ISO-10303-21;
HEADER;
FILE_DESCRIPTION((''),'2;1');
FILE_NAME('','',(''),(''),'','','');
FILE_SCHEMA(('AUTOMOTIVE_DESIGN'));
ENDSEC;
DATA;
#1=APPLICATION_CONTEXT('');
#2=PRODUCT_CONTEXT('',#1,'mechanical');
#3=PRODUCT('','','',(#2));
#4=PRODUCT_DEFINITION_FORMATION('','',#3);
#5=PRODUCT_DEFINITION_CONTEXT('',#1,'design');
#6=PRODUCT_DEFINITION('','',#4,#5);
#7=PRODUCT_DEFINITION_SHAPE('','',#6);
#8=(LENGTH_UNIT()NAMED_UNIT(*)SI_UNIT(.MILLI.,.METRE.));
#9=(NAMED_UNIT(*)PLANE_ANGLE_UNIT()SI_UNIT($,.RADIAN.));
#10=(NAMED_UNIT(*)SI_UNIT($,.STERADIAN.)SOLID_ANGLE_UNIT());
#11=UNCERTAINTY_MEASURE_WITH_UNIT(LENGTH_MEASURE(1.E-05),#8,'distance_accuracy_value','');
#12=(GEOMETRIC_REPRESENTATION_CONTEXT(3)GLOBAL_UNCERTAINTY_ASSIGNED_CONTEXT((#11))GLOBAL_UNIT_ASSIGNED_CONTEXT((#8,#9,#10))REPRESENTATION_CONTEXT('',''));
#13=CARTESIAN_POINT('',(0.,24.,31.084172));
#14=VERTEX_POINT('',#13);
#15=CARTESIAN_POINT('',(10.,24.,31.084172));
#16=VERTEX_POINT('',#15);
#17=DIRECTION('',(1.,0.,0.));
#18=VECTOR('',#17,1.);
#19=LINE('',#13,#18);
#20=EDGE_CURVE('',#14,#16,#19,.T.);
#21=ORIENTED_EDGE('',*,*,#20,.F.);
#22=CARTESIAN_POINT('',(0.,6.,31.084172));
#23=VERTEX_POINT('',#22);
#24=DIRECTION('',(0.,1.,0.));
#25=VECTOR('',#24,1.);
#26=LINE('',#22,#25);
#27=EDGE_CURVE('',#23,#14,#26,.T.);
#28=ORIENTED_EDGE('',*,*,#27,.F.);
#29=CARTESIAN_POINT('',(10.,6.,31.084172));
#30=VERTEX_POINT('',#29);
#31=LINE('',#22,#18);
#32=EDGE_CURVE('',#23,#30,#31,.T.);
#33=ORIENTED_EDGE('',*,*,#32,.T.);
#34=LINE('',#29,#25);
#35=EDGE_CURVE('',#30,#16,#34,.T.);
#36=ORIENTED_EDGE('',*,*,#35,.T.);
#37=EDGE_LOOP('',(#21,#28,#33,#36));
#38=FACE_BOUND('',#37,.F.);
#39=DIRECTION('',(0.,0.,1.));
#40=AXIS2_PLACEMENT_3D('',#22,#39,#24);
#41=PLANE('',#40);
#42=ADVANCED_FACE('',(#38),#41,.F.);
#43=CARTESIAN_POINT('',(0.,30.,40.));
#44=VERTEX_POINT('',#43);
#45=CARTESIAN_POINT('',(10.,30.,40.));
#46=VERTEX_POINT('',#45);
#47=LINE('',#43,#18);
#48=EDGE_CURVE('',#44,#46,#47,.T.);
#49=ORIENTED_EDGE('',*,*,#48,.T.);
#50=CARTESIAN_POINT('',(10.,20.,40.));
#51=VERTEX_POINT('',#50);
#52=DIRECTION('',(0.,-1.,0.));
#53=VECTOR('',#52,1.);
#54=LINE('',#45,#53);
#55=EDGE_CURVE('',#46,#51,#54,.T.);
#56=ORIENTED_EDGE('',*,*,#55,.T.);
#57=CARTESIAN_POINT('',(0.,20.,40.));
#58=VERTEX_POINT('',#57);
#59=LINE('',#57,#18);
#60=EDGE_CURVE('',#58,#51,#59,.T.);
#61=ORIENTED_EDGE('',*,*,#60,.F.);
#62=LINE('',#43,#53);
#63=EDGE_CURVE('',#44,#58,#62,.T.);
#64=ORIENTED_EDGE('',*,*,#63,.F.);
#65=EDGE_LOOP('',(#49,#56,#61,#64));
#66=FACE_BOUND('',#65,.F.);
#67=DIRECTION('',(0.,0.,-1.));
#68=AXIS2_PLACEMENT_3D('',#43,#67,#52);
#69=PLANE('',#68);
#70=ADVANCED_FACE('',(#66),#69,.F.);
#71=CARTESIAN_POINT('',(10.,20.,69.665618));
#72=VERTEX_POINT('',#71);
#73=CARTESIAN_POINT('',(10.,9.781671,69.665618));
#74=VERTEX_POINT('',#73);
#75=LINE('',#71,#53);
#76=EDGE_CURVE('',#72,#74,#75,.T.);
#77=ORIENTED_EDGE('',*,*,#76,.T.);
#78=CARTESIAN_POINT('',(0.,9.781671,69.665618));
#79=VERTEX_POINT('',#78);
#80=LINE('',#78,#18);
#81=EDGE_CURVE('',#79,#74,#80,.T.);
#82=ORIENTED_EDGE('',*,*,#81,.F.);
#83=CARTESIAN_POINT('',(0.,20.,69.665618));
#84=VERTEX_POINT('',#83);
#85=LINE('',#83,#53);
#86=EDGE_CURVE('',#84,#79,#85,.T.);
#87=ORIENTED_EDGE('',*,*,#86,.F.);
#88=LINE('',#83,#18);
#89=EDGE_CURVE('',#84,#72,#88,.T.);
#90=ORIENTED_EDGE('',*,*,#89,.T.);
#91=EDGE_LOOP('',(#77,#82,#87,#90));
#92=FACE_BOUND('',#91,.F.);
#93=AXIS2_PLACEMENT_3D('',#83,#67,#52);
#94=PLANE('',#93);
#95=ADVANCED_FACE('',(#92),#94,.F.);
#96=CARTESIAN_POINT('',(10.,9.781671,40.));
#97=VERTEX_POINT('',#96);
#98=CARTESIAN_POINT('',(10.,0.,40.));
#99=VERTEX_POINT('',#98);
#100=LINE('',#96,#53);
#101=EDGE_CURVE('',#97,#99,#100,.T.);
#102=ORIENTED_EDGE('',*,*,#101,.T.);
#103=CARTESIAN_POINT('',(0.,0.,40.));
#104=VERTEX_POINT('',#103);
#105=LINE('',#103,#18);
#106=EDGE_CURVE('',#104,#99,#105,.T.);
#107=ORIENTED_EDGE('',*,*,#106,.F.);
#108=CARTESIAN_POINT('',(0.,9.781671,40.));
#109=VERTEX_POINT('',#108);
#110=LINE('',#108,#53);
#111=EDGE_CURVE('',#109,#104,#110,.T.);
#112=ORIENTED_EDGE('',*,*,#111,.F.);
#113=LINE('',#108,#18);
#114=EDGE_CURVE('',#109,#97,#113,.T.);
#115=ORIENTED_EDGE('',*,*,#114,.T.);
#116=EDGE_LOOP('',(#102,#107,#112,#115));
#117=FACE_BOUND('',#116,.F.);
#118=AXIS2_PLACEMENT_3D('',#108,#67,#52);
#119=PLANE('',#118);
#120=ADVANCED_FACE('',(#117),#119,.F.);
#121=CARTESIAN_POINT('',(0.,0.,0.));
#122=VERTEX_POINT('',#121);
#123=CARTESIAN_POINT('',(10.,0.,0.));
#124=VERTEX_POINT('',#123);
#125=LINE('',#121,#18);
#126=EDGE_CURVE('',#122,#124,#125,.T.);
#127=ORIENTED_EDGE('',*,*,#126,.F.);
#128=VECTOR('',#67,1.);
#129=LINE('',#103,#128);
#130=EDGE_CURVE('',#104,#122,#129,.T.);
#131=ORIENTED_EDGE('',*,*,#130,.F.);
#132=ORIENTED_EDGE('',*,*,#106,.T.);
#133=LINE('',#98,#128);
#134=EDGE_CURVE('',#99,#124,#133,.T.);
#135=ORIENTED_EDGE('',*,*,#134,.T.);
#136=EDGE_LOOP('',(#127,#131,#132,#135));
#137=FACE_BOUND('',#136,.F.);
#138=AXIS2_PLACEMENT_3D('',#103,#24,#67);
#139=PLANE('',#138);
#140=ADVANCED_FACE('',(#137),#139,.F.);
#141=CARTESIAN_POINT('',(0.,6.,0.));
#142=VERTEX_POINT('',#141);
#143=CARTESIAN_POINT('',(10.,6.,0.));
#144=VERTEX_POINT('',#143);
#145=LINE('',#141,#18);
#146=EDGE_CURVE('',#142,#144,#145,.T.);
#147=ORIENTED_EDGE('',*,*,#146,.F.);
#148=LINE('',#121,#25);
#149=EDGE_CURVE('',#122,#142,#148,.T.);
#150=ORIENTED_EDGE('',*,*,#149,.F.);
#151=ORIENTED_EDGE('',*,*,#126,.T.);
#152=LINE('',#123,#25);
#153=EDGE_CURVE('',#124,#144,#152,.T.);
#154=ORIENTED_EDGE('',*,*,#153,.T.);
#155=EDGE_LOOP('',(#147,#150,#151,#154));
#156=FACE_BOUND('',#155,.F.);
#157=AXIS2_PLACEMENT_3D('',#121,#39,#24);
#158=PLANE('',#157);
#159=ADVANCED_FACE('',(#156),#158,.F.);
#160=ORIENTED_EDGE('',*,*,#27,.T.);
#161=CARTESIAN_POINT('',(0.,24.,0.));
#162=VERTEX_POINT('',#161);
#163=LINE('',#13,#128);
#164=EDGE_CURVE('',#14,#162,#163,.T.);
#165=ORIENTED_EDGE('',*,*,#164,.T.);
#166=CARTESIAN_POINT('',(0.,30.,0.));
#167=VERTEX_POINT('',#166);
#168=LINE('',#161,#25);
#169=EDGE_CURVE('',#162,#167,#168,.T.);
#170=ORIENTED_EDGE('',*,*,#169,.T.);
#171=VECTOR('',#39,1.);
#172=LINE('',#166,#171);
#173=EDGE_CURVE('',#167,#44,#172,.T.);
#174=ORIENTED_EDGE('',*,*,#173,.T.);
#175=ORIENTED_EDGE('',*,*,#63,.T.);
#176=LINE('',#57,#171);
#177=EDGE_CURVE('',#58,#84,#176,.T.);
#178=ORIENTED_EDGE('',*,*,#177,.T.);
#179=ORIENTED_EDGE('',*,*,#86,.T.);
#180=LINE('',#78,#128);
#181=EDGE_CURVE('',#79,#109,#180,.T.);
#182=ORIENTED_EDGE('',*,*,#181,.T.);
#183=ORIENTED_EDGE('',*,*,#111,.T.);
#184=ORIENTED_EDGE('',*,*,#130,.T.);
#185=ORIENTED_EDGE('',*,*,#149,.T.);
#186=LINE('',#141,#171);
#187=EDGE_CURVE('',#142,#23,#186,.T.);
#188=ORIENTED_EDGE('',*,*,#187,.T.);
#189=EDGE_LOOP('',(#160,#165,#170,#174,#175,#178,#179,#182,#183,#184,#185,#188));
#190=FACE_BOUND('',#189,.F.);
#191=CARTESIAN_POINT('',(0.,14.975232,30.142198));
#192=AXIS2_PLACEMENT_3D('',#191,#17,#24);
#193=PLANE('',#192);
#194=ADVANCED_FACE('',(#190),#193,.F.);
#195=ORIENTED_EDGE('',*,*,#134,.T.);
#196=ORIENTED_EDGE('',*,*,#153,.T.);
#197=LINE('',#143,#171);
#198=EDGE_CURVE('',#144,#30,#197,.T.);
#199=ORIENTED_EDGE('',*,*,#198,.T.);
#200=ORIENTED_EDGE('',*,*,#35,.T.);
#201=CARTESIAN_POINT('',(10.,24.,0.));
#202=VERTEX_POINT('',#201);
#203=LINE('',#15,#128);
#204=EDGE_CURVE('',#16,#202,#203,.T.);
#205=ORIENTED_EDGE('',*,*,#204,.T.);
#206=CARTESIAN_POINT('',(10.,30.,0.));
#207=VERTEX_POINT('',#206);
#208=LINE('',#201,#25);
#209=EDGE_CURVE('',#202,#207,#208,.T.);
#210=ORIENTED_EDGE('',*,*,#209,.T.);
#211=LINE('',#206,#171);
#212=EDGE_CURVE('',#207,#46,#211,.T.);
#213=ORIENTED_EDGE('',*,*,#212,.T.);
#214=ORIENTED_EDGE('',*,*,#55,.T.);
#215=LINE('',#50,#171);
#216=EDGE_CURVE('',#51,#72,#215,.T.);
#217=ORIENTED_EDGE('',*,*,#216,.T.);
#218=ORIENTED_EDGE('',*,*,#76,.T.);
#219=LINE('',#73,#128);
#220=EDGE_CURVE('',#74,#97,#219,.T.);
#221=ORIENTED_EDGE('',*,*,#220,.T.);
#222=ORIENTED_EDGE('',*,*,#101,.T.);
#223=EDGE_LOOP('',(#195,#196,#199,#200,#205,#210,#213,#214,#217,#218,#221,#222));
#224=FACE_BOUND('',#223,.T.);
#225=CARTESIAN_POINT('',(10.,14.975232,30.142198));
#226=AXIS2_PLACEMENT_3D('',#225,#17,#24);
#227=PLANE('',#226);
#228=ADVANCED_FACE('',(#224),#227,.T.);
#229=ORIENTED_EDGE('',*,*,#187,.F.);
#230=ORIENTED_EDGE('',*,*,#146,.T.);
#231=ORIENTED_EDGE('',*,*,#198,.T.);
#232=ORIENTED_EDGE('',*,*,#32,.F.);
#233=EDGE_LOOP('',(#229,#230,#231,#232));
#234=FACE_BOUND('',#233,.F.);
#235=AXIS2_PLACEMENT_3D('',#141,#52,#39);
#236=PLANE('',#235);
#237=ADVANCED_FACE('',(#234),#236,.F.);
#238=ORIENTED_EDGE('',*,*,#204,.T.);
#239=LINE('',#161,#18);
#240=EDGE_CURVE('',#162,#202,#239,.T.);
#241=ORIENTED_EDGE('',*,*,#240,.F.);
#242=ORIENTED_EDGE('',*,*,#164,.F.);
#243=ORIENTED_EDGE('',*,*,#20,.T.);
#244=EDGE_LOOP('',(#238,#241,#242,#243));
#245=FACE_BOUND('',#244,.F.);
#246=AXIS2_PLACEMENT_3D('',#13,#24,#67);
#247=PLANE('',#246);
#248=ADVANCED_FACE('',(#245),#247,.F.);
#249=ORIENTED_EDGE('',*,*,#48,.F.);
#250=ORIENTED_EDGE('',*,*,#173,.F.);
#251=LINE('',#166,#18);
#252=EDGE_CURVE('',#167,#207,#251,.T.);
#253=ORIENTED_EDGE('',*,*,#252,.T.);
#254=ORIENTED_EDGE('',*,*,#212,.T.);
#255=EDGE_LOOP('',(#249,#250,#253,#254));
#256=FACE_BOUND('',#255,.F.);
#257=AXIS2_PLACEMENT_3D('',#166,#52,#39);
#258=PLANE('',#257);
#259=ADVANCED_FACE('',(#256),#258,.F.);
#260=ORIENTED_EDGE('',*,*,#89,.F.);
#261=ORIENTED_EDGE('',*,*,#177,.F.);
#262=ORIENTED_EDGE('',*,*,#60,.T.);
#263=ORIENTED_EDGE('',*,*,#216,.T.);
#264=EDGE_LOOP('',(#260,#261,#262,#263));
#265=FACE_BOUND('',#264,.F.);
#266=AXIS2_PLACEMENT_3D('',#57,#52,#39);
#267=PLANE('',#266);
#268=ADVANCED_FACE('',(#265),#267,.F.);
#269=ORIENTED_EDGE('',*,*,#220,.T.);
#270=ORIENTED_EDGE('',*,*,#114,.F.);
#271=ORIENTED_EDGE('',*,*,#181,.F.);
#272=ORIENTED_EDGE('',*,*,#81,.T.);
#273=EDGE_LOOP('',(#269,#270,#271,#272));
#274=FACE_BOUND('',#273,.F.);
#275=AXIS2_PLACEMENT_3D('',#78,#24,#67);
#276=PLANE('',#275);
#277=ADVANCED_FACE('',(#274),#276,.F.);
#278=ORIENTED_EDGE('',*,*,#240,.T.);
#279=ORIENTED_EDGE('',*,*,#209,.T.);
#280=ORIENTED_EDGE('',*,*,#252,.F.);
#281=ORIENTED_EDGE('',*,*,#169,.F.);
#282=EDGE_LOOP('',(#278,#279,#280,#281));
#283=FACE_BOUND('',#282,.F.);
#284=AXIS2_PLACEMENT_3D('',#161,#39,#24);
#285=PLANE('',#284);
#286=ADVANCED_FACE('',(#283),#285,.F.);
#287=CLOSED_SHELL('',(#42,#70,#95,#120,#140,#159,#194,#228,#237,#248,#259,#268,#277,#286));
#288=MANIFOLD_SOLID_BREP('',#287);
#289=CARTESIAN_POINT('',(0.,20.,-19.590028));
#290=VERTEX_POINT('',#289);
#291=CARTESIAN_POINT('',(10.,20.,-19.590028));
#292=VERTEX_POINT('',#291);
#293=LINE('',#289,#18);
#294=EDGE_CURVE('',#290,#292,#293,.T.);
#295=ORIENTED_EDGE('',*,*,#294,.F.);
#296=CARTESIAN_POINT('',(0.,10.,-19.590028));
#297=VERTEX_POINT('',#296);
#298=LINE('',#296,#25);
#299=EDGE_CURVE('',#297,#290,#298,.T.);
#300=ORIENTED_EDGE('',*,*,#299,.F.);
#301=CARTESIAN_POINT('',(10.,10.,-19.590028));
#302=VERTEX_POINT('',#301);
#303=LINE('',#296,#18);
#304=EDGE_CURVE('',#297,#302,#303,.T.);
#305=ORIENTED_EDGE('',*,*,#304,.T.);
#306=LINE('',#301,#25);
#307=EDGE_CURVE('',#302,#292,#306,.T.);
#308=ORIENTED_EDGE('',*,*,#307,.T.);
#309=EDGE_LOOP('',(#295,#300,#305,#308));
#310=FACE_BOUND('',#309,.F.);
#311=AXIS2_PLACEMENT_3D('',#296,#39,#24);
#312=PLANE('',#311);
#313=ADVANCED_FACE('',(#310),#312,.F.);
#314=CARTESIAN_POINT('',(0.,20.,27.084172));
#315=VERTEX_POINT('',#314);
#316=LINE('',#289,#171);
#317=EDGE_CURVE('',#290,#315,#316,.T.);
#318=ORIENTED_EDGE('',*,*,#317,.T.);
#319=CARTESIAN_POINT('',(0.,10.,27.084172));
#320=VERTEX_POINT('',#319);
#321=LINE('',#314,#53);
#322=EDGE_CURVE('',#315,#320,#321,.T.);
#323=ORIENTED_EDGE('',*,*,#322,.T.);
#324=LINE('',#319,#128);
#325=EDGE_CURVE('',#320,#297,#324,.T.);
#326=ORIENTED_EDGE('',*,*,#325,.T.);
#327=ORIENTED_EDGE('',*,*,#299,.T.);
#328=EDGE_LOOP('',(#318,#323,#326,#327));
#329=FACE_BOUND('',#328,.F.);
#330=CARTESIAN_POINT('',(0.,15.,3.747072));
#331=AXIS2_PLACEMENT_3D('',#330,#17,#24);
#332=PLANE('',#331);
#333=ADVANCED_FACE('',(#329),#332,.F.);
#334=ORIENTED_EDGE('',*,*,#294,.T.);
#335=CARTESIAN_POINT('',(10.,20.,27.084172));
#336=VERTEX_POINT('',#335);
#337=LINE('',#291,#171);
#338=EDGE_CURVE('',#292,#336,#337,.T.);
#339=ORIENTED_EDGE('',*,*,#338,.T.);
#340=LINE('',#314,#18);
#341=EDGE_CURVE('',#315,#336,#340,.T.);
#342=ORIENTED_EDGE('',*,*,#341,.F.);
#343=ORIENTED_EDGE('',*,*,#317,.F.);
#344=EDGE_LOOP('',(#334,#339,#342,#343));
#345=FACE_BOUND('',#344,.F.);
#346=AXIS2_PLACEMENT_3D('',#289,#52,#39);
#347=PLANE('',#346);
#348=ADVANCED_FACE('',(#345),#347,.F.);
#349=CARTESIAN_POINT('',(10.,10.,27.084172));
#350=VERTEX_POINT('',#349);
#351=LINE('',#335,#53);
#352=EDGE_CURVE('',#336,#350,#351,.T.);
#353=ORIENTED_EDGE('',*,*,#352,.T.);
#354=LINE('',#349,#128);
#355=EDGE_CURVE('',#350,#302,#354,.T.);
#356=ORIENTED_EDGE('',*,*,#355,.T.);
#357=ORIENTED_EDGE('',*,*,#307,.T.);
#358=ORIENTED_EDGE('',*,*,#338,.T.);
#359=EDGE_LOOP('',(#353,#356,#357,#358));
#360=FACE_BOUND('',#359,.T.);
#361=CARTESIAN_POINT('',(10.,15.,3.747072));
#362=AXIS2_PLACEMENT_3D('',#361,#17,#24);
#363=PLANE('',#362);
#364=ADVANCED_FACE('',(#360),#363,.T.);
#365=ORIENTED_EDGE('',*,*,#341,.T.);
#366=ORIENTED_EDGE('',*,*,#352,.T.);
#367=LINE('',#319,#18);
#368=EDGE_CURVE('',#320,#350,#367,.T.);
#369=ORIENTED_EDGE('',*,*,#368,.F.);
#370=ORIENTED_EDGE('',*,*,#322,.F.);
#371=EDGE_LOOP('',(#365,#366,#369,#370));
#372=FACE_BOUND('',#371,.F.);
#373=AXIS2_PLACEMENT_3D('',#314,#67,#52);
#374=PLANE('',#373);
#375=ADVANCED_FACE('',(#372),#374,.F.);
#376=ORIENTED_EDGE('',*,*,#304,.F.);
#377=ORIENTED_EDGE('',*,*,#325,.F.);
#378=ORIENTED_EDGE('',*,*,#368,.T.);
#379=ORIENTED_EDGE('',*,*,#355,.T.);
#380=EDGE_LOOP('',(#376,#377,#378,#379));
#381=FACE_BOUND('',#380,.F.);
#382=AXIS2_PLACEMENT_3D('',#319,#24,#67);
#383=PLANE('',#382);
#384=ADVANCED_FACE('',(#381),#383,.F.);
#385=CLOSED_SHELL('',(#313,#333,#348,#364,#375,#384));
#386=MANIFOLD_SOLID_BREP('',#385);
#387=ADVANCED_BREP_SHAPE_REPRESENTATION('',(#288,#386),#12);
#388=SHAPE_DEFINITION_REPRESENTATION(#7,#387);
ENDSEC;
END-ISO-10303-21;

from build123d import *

# Parameters (mm, degrees)
F1_DEPTH = 10


with BuildPart() as f1:
    # F0 (on Right) → F1 (new body)
    with BuildSketch(Plane.YZ):
        Polygon((0, 40), (0, 0), (6, 0), (6, 27.084172), (6, 31.084172), (10, 31.084172), (15, 31.084172), (20, 31.084172), (24, 31.084172), (24, 27.084172), (24, 0), (30, 0), (30, 40), (20, 40), (20, 69.665618), (15, 69.665618), (9.781671, 69.665618), (9.781671, 40), align=None)
        Polygon((20, 27.084172), (15, 27.084172), (10, 27.084172), (10, 0), (10, -19.590028), (20, -19.590028), (20, 0), align=None)
    extrude(amount=F1_DEPTH)


solid = f1.part
